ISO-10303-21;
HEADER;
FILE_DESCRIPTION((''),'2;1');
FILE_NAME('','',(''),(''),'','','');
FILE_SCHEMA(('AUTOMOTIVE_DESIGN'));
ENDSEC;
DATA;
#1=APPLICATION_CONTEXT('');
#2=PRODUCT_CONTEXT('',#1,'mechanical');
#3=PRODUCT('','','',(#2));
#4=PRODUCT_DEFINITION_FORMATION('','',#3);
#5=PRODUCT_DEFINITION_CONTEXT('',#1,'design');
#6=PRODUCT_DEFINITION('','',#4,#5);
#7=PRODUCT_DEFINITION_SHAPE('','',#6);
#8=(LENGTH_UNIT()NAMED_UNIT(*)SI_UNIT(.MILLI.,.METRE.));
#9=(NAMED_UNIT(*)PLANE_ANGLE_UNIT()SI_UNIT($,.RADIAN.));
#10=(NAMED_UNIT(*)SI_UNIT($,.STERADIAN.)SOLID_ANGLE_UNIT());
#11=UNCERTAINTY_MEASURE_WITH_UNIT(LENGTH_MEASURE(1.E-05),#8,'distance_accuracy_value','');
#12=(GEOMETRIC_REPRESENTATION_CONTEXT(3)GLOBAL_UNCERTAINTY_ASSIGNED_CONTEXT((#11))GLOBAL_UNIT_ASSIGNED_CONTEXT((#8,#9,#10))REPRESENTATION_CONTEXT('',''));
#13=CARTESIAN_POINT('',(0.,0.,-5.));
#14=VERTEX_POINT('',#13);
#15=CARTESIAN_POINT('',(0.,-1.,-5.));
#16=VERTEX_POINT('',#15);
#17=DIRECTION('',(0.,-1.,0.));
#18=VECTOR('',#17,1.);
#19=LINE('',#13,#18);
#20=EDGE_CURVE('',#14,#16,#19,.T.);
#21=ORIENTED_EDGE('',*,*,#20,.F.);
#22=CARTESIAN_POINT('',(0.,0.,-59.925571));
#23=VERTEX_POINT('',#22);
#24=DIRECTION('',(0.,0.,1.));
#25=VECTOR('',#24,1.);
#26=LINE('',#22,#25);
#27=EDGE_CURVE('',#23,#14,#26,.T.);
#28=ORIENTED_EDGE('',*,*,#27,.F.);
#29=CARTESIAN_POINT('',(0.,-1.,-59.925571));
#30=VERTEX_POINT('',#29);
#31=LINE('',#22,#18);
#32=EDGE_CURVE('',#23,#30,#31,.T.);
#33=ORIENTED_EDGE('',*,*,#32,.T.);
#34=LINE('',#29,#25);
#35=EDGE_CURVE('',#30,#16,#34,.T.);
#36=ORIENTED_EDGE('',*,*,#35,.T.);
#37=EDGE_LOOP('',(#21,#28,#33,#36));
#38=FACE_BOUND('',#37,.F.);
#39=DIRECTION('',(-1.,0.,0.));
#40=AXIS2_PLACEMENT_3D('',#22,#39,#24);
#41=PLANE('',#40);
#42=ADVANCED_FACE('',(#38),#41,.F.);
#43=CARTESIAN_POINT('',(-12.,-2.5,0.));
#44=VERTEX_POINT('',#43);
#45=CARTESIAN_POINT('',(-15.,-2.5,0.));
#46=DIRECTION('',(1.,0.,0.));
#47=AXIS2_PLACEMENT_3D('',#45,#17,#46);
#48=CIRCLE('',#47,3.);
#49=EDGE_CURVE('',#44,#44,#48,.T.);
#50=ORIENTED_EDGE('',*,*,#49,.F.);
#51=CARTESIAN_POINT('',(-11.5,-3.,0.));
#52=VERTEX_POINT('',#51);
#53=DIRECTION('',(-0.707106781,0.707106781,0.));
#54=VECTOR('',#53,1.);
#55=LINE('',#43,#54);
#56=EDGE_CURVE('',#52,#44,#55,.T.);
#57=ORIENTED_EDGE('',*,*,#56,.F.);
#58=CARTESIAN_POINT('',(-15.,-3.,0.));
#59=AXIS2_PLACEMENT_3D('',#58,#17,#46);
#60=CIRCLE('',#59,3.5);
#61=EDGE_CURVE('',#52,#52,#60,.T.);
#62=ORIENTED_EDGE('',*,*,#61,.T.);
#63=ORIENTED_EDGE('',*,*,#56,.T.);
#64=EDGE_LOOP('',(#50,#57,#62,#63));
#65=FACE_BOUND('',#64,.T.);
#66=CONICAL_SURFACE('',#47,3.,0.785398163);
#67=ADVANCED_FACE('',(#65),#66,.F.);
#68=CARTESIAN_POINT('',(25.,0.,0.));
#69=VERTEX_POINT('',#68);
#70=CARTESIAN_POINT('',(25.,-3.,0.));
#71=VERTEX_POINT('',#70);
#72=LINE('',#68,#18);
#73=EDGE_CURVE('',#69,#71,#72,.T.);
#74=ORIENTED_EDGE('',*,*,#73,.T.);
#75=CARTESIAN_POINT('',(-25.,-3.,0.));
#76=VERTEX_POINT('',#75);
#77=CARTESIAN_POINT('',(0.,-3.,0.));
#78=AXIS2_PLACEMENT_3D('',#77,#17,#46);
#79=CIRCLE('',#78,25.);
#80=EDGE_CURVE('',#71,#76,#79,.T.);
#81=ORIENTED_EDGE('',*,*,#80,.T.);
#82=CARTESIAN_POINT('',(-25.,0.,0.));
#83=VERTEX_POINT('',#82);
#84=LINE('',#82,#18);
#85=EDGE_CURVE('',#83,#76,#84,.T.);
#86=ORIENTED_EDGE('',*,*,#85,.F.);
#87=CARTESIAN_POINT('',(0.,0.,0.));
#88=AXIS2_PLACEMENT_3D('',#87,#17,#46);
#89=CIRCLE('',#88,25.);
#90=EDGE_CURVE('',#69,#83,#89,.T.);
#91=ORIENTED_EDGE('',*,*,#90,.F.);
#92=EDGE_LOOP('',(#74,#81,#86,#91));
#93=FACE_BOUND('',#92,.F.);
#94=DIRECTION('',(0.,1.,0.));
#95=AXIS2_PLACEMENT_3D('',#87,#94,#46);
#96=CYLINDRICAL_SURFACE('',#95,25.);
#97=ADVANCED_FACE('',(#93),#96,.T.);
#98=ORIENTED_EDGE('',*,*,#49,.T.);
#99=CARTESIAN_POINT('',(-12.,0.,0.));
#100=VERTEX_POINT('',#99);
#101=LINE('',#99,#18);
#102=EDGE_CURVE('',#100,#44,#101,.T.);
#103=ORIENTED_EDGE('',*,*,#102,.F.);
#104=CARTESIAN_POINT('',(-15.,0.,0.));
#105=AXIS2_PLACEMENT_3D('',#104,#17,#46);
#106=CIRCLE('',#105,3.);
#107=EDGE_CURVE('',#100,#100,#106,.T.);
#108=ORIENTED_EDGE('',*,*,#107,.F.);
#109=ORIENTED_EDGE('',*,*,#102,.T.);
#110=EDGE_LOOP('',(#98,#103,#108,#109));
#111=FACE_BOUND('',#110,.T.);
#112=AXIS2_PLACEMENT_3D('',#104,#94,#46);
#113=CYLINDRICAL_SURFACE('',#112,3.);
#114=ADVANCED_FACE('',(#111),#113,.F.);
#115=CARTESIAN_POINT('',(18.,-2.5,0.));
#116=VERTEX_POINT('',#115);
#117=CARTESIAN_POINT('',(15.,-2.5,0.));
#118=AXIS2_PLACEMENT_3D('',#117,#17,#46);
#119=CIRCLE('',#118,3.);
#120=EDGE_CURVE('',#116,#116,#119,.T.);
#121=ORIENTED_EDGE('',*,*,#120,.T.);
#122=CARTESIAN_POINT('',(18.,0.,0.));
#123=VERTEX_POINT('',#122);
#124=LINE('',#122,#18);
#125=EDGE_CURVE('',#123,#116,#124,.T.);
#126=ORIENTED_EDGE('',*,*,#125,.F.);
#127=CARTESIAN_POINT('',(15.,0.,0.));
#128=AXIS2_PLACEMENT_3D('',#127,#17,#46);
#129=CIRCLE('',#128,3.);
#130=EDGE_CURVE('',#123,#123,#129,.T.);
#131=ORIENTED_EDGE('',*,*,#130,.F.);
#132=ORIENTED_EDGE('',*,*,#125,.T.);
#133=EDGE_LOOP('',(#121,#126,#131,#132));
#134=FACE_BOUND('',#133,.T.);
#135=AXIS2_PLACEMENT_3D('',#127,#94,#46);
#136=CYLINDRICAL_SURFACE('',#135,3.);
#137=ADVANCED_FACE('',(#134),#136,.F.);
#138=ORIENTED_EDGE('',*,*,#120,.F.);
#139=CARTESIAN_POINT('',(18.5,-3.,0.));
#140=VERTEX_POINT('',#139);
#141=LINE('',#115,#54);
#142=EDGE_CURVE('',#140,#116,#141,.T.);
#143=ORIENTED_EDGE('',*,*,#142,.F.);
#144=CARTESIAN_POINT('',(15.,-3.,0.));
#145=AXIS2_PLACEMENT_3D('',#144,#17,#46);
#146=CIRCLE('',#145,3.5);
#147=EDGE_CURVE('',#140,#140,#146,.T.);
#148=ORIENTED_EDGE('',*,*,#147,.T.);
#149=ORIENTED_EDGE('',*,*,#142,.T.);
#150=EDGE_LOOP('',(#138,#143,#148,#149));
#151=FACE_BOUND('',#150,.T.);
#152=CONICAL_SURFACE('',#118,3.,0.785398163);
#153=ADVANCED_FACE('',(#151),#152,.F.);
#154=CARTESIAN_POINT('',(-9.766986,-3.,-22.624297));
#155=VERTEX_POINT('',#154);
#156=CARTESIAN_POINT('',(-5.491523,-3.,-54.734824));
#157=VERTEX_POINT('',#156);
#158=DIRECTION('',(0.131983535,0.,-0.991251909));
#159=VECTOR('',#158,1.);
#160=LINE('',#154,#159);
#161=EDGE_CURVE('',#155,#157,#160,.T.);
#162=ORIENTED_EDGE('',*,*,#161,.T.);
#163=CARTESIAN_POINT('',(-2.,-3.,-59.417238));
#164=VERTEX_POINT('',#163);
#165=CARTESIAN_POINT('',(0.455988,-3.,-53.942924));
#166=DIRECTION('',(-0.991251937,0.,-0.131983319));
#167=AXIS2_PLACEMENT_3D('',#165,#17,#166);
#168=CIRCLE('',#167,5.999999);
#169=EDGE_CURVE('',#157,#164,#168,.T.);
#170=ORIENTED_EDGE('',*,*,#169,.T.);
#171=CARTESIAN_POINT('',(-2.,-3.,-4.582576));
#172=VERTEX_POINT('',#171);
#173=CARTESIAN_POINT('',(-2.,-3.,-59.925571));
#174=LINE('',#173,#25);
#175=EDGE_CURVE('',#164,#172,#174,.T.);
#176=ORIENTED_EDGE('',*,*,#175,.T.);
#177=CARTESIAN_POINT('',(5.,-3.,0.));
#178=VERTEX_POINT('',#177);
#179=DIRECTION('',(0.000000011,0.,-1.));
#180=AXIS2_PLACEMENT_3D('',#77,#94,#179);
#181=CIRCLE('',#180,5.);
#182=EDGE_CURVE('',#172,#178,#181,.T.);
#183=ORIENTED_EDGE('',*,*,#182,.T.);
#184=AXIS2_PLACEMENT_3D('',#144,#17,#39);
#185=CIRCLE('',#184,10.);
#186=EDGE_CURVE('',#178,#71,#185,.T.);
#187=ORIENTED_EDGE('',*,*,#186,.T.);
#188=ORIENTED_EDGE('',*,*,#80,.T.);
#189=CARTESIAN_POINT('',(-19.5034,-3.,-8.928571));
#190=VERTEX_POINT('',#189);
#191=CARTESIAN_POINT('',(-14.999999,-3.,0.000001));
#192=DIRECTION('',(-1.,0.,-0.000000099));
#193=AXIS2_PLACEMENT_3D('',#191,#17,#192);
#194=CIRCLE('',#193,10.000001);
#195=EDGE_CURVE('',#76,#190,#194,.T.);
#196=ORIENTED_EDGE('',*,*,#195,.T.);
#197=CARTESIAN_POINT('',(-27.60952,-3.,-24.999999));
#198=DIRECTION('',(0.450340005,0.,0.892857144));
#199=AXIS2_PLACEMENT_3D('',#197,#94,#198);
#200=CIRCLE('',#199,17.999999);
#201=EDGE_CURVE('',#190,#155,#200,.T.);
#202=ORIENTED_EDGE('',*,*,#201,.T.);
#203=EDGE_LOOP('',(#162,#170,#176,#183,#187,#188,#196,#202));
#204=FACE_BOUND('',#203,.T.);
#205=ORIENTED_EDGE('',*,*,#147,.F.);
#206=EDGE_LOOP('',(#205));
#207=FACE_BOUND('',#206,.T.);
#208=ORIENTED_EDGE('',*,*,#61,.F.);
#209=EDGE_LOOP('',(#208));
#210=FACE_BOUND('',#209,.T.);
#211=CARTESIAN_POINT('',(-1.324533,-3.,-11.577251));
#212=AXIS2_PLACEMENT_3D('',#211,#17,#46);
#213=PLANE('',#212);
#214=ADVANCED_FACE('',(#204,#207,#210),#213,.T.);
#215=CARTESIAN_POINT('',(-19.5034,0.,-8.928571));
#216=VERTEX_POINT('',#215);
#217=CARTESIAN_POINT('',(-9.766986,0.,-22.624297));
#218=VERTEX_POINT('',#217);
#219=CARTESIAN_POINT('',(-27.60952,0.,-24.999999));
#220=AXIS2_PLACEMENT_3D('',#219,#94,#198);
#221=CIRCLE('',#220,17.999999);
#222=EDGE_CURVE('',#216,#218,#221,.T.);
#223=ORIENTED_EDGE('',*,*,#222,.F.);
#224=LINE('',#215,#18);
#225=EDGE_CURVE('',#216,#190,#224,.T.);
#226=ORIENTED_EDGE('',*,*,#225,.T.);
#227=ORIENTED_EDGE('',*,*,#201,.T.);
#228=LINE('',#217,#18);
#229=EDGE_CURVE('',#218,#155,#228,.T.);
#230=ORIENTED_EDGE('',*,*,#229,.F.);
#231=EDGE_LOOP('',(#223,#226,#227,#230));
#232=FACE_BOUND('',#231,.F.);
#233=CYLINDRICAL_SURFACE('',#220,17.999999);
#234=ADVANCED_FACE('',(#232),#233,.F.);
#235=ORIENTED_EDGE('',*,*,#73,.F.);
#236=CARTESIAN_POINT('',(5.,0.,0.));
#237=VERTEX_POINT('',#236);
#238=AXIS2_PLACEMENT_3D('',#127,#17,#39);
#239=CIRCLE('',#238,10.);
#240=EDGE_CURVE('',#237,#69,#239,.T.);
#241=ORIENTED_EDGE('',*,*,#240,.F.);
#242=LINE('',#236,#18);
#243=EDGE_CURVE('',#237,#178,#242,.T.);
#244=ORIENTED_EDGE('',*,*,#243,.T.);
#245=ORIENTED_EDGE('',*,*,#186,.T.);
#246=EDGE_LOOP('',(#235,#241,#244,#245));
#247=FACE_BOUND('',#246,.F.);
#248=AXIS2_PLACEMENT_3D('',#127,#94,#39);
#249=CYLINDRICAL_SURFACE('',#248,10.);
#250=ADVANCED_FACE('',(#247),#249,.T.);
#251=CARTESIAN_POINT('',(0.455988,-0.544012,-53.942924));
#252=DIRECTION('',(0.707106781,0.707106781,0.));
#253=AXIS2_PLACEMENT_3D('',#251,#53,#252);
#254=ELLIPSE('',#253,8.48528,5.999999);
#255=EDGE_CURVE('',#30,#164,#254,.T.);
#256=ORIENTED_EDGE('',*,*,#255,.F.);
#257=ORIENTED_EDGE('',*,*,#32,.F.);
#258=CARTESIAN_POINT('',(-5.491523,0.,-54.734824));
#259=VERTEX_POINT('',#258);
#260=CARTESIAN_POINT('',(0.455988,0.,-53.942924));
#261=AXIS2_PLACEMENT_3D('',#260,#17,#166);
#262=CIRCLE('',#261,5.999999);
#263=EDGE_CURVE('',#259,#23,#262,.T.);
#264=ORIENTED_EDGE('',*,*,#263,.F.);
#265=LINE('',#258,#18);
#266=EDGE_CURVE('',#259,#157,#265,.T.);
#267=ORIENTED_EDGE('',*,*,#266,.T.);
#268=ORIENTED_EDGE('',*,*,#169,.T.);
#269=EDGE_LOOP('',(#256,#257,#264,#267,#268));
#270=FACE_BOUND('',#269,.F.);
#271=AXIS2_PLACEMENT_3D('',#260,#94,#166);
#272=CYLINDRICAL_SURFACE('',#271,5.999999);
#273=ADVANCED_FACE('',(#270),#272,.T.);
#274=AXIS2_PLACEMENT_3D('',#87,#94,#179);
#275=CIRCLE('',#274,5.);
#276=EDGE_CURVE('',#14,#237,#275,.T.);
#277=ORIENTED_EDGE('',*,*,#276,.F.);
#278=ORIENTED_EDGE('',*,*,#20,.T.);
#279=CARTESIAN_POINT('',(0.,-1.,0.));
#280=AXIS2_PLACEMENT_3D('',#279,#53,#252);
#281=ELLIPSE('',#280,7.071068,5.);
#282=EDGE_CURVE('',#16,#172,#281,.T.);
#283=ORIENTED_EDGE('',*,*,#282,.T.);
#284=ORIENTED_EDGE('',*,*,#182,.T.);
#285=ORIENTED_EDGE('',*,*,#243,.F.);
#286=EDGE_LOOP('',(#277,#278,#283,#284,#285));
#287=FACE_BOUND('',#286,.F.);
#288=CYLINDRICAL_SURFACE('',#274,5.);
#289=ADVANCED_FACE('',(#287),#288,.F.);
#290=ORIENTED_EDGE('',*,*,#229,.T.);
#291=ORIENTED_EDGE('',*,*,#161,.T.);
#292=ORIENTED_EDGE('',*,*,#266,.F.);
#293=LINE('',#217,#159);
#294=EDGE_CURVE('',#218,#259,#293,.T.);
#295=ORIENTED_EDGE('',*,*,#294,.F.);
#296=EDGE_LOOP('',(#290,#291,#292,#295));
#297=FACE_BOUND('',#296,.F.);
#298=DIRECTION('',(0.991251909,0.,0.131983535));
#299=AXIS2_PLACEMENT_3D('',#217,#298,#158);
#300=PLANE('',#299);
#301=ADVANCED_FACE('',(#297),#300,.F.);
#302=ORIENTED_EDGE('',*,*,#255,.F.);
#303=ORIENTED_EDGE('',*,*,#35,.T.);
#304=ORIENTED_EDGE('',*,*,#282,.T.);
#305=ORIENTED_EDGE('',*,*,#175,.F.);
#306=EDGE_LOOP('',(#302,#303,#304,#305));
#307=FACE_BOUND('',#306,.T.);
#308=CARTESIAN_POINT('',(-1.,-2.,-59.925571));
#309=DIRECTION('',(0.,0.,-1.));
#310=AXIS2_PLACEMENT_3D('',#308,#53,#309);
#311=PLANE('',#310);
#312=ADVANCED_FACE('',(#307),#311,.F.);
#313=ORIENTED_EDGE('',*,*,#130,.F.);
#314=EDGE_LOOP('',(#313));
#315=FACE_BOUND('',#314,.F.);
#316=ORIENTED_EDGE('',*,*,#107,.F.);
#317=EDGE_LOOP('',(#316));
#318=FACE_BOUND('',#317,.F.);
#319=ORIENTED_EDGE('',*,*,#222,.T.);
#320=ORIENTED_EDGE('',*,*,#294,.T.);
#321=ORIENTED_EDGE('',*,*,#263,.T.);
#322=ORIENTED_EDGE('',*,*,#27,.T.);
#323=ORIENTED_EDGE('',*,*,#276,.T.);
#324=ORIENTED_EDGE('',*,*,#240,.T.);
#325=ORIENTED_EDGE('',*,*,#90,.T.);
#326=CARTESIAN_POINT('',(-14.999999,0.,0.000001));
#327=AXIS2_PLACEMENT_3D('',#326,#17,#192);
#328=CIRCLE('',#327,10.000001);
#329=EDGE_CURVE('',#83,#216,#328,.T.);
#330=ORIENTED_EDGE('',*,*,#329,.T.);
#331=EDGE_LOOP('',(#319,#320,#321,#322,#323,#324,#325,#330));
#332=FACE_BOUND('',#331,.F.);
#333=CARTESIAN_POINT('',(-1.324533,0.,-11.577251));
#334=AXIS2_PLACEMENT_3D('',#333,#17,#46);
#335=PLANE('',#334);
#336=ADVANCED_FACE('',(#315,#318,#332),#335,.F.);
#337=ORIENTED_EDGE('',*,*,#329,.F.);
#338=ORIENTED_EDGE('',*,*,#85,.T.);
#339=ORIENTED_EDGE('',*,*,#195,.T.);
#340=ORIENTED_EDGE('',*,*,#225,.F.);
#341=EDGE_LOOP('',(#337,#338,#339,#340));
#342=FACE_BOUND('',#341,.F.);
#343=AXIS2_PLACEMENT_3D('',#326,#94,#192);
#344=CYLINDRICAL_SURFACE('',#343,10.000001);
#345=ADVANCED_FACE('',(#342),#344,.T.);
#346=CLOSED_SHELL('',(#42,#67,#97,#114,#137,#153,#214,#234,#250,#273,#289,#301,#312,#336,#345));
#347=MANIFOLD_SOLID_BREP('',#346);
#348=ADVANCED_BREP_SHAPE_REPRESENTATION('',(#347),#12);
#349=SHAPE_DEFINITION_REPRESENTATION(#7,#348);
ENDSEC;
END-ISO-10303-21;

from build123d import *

# Parameters (mm, degrees)
F0_R     = 3
F1_DEPTH = 3
F2_SIZE  = 2
F3_SIZE  = 0.5
F4_SIZE  = 0.5


with BuildPart() as f1:
    # F0 (on Front) → F1 (new body)
    with BuildSketch(Plane.XZ):
        with BuildLine():
            ThreePointArc((5, 0), (15, -10), (25, 0))
            ThreePointArc((25, 0), (0, 25), (-25, 0))
            ThreePointArc((-25, 0), (-23.515691, -5.242423), (-19.5034, -8.928571))
            ThreePointArc((-19.5034, -8.928571), (-12.938924, -14.570541), (-9.766986, -22.624297))
            Line((-9.766986, -22.624297), (-5.491523, -54.734824))
            ThreePointArc((-5.491523, -54.734824), (-3.665561, -58.303294), (0, -59.925571))
            Line((0, -59.925571), (0, -5))
            ThreePointArc((0, -5), (-3.535534, 3.535534), (5, 0))
        make_face()
        with Locations((-15, 0)):
            Circle(F0_R, mode=Mode.SUBTRACT)
        with Locations((15, 0)):
            Circle(F0_R, mode=Mode.SUBTRACT)
    extrude(amount=F1_DEPTH)

    # F2
    f2_edges = [f1.edges().sort_by_distance(p)[0] for p in [
        (0, -3, -32.462785),
    ]]
    chamfer(f2_edges, length=F2_SIZE)

    # F3
    f3_edges = [f1.edges().sort_by_distance(p)[0] for p in [
        (-18, -3, 0),
    ]]
    chamfer(f3_edges, length=F3_SIZE)

    # F4
    f4_edges = [f1.edges().sort_by_distance(p)[0] for p in [
        (12, -3, 0),
    ]]
    chamfer(f4_edges, length=F4_SIZE)


solid = f1.part
